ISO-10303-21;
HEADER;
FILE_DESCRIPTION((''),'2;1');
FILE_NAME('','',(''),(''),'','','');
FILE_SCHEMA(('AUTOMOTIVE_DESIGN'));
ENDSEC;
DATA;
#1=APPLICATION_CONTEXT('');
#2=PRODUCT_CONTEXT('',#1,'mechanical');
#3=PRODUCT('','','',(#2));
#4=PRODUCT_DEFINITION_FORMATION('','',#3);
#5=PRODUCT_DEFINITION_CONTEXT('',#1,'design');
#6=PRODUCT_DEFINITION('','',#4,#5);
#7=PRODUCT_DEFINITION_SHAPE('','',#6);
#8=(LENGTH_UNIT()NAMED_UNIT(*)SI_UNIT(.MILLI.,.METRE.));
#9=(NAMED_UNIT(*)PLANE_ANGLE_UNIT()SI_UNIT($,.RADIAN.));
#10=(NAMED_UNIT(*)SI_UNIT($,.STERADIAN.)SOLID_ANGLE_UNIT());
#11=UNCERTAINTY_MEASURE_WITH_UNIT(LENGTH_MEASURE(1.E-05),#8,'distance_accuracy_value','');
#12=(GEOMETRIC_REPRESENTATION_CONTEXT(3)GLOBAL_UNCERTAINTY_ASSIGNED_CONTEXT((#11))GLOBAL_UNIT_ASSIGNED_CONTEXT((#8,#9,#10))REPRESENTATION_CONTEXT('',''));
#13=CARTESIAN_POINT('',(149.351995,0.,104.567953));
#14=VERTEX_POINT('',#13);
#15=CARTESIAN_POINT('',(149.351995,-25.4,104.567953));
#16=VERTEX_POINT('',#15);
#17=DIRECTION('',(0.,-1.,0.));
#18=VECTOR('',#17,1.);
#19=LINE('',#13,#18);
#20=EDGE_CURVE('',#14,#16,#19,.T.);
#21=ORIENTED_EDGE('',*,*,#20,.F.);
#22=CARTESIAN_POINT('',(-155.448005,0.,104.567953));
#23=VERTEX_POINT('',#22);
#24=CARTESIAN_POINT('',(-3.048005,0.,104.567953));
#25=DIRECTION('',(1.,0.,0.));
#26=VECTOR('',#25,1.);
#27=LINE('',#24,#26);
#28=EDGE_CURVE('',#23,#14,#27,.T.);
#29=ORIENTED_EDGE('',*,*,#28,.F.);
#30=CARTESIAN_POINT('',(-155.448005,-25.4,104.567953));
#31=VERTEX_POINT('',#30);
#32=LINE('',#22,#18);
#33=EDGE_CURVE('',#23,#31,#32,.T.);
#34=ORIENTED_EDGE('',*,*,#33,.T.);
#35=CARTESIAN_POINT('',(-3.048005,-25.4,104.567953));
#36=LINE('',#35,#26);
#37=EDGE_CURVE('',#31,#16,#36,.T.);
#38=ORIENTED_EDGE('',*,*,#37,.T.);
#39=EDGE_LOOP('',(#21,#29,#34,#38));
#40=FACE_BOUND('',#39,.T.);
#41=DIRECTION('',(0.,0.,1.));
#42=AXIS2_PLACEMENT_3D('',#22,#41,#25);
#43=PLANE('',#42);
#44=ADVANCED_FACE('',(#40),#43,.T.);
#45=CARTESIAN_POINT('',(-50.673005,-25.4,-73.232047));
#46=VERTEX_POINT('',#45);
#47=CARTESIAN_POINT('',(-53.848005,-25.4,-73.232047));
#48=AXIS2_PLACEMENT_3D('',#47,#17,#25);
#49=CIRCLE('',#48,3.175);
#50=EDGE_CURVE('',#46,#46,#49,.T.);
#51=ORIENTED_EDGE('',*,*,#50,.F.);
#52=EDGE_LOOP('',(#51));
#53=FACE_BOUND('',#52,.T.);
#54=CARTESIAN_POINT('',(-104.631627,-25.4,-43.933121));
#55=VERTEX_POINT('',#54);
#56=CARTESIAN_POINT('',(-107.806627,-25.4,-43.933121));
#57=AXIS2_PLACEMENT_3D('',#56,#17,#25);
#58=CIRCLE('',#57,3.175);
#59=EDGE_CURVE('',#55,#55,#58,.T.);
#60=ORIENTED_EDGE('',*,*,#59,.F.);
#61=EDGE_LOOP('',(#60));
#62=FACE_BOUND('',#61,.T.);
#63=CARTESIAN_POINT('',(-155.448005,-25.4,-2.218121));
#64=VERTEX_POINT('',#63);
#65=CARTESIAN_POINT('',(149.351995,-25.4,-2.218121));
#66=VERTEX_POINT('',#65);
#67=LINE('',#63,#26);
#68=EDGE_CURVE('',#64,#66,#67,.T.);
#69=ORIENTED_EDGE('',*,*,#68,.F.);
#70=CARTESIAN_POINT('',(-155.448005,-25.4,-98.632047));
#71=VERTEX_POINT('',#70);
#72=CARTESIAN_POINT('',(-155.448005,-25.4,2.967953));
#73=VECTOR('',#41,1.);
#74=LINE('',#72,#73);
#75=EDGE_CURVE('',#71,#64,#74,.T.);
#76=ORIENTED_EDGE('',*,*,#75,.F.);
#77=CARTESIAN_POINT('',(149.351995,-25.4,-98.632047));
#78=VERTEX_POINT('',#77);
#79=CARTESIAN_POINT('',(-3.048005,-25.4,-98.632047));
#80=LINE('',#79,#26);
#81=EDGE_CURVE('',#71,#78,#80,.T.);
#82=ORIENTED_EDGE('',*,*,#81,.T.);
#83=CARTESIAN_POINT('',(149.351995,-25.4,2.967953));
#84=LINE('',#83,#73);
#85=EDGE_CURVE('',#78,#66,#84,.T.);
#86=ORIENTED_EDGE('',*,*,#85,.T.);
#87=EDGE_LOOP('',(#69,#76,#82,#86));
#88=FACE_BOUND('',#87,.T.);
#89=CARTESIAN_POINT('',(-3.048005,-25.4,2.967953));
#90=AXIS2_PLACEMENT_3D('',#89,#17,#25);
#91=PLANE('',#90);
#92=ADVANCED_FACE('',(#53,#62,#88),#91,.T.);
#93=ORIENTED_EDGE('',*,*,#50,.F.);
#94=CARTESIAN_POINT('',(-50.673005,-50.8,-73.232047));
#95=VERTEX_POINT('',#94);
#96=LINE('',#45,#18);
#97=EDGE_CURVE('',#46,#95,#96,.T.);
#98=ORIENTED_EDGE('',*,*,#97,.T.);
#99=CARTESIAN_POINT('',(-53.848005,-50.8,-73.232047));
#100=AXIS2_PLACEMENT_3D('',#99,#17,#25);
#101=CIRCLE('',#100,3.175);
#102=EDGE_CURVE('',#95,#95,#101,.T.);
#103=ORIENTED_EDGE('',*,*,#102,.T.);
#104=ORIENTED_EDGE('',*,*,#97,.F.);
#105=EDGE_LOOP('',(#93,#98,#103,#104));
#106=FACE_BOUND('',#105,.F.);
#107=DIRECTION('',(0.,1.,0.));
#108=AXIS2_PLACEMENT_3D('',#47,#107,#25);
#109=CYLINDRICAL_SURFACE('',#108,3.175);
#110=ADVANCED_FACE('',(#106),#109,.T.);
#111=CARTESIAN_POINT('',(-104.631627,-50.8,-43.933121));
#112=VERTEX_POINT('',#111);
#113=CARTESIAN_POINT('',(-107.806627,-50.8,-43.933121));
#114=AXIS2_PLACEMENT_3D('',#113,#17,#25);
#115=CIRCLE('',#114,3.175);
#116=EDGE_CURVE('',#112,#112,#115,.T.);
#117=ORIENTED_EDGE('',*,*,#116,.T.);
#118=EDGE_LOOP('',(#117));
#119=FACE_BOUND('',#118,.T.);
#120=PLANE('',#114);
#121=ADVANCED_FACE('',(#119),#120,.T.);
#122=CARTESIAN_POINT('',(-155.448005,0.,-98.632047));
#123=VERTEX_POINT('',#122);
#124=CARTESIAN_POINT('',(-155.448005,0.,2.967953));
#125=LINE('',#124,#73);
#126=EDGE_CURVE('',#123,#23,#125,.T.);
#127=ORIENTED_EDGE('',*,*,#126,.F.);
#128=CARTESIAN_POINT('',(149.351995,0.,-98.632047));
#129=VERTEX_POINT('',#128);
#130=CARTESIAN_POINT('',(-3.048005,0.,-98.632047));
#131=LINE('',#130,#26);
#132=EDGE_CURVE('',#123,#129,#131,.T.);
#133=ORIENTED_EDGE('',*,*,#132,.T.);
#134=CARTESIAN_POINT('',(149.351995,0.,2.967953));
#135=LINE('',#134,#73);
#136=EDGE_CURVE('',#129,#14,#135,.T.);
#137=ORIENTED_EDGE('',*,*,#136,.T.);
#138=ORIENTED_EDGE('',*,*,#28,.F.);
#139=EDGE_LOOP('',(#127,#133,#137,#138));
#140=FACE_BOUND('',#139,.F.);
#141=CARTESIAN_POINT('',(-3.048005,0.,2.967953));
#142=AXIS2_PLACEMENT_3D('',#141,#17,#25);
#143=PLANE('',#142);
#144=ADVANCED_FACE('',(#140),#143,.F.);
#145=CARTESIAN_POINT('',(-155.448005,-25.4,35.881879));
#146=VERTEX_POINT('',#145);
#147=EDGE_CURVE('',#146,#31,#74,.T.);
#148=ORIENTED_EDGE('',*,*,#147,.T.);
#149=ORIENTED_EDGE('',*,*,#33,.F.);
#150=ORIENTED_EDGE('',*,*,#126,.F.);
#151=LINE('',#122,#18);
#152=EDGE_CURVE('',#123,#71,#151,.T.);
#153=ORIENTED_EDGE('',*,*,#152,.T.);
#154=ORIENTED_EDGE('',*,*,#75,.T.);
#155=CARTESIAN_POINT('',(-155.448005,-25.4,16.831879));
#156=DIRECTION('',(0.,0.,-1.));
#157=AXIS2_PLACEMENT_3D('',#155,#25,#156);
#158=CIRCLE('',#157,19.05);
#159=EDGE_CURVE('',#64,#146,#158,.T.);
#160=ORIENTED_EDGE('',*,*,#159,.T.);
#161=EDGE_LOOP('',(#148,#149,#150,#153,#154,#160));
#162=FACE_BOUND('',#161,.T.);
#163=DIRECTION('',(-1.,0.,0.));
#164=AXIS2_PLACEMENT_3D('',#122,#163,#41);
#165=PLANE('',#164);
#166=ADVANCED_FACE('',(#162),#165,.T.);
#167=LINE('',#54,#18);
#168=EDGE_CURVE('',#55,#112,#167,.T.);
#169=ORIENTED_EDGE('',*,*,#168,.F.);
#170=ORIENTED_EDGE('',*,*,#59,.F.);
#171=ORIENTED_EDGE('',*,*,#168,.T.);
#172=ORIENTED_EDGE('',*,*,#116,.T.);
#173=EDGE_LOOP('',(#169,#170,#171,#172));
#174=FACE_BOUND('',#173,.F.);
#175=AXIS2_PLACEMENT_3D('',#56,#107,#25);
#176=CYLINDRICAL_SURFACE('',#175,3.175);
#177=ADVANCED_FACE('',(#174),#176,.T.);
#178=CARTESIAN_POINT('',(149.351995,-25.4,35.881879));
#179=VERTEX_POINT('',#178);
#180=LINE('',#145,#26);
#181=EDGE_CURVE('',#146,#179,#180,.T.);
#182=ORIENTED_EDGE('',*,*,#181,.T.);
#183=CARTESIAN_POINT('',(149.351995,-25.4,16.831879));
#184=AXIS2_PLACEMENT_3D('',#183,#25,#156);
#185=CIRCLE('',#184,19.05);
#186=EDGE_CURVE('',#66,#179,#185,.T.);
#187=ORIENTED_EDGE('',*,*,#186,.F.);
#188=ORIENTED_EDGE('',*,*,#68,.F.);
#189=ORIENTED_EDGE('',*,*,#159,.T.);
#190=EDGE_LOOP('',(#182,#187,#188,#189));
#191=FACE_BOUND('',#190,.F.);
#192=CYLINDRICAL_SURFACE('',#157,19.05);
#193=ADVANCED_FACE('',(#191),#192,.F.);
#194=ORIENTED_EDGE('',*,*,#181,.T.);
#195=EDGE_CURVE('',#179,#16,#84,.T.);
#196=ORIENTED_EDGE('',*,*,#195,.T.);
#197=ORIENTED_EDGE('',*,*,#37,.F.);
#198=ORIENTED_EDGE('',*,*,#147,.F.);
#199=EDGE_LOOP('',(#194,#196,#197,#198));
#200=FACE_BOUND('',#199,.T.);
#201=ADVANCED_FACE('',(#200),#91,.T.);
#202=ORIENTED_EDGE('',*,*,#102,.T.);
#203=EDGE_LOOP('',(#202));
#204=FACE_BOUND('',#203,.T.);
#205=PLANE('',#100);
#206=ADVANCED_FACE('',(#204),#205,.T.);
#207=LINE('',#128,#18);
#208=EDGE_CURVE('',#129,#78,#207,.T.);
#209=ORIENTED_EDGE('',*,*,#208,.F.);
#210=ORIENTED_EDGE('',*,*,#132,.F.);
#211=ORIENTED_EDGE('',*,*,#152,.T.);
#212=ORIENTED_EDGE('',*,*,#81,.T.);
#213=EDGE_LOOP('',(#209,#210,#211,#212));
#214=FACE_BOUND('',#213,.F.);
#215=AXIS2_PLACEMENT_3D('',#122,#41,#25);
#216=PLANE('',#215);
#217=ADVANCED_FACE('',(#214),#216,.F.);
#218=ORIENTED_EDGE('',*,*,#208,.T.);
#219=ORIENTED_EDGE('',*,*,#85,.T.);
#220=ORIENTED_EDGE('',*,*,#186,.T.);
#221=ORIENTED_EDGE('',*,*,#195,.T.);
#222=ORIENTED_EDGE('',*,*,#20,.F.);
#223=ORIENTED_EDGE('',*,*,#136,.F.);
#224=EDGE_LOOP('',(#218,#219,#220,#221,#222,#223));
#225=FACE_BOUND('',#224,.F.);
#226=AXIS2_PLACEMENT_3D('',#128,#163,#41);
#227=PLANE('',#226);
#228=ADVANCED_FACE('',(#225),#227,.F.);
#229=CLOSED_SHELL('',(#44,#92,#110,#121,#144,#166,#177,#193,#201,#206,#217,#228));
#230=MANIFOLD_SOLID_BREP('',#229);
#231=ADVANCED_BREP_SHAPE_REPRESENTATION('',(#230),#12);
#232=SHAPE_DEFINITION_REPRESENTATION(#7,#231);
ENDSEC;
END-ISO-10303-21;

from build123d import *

# Parameters (mm, degrees)
F0_W     = 304.8
F0_H     = 203.2
F1_DEPTH = 25.4
F2_R     = 3.175
F3_DEPTH = 25.4


with BuildPart() as f1:
    # F0 (on Front) → F1 (new body)
    with BuildSketch(Plane.XZ):
        with Locations((-3.048005, 2.967953)):
            Rectangle(F0_W, F0_H)
    extrude(amount=F1_DEPTH)

    # F2 (on face) → F3 (join)
    with BuildSketch(Plane.XZ.offset(25.4)):
        with Locations((-53.848005, -73.232047)):
            Circle(F2_R)
        with Locations((-107.806627, -43.933121)):
            Circle(F2_R)
    extrude(amount=F3_DEPTH)

    # F4 (on face) → F5 (revolve, cut)
    with BuildSketch(Plane.XZ.offset(25.4)):
        Polygon((149.351995, 16.831879), (-155.448005, 16.831879), (-155.448005, -2.218121), (-76.879319, -2.218121), (149.351995, -2.218121), align=None)
    revolve(axis=Axis((-3.048005, -25.4, 16.831879), (1, 0, 0)), mode=Mode.SUBTRACT)


solid = f1.part
